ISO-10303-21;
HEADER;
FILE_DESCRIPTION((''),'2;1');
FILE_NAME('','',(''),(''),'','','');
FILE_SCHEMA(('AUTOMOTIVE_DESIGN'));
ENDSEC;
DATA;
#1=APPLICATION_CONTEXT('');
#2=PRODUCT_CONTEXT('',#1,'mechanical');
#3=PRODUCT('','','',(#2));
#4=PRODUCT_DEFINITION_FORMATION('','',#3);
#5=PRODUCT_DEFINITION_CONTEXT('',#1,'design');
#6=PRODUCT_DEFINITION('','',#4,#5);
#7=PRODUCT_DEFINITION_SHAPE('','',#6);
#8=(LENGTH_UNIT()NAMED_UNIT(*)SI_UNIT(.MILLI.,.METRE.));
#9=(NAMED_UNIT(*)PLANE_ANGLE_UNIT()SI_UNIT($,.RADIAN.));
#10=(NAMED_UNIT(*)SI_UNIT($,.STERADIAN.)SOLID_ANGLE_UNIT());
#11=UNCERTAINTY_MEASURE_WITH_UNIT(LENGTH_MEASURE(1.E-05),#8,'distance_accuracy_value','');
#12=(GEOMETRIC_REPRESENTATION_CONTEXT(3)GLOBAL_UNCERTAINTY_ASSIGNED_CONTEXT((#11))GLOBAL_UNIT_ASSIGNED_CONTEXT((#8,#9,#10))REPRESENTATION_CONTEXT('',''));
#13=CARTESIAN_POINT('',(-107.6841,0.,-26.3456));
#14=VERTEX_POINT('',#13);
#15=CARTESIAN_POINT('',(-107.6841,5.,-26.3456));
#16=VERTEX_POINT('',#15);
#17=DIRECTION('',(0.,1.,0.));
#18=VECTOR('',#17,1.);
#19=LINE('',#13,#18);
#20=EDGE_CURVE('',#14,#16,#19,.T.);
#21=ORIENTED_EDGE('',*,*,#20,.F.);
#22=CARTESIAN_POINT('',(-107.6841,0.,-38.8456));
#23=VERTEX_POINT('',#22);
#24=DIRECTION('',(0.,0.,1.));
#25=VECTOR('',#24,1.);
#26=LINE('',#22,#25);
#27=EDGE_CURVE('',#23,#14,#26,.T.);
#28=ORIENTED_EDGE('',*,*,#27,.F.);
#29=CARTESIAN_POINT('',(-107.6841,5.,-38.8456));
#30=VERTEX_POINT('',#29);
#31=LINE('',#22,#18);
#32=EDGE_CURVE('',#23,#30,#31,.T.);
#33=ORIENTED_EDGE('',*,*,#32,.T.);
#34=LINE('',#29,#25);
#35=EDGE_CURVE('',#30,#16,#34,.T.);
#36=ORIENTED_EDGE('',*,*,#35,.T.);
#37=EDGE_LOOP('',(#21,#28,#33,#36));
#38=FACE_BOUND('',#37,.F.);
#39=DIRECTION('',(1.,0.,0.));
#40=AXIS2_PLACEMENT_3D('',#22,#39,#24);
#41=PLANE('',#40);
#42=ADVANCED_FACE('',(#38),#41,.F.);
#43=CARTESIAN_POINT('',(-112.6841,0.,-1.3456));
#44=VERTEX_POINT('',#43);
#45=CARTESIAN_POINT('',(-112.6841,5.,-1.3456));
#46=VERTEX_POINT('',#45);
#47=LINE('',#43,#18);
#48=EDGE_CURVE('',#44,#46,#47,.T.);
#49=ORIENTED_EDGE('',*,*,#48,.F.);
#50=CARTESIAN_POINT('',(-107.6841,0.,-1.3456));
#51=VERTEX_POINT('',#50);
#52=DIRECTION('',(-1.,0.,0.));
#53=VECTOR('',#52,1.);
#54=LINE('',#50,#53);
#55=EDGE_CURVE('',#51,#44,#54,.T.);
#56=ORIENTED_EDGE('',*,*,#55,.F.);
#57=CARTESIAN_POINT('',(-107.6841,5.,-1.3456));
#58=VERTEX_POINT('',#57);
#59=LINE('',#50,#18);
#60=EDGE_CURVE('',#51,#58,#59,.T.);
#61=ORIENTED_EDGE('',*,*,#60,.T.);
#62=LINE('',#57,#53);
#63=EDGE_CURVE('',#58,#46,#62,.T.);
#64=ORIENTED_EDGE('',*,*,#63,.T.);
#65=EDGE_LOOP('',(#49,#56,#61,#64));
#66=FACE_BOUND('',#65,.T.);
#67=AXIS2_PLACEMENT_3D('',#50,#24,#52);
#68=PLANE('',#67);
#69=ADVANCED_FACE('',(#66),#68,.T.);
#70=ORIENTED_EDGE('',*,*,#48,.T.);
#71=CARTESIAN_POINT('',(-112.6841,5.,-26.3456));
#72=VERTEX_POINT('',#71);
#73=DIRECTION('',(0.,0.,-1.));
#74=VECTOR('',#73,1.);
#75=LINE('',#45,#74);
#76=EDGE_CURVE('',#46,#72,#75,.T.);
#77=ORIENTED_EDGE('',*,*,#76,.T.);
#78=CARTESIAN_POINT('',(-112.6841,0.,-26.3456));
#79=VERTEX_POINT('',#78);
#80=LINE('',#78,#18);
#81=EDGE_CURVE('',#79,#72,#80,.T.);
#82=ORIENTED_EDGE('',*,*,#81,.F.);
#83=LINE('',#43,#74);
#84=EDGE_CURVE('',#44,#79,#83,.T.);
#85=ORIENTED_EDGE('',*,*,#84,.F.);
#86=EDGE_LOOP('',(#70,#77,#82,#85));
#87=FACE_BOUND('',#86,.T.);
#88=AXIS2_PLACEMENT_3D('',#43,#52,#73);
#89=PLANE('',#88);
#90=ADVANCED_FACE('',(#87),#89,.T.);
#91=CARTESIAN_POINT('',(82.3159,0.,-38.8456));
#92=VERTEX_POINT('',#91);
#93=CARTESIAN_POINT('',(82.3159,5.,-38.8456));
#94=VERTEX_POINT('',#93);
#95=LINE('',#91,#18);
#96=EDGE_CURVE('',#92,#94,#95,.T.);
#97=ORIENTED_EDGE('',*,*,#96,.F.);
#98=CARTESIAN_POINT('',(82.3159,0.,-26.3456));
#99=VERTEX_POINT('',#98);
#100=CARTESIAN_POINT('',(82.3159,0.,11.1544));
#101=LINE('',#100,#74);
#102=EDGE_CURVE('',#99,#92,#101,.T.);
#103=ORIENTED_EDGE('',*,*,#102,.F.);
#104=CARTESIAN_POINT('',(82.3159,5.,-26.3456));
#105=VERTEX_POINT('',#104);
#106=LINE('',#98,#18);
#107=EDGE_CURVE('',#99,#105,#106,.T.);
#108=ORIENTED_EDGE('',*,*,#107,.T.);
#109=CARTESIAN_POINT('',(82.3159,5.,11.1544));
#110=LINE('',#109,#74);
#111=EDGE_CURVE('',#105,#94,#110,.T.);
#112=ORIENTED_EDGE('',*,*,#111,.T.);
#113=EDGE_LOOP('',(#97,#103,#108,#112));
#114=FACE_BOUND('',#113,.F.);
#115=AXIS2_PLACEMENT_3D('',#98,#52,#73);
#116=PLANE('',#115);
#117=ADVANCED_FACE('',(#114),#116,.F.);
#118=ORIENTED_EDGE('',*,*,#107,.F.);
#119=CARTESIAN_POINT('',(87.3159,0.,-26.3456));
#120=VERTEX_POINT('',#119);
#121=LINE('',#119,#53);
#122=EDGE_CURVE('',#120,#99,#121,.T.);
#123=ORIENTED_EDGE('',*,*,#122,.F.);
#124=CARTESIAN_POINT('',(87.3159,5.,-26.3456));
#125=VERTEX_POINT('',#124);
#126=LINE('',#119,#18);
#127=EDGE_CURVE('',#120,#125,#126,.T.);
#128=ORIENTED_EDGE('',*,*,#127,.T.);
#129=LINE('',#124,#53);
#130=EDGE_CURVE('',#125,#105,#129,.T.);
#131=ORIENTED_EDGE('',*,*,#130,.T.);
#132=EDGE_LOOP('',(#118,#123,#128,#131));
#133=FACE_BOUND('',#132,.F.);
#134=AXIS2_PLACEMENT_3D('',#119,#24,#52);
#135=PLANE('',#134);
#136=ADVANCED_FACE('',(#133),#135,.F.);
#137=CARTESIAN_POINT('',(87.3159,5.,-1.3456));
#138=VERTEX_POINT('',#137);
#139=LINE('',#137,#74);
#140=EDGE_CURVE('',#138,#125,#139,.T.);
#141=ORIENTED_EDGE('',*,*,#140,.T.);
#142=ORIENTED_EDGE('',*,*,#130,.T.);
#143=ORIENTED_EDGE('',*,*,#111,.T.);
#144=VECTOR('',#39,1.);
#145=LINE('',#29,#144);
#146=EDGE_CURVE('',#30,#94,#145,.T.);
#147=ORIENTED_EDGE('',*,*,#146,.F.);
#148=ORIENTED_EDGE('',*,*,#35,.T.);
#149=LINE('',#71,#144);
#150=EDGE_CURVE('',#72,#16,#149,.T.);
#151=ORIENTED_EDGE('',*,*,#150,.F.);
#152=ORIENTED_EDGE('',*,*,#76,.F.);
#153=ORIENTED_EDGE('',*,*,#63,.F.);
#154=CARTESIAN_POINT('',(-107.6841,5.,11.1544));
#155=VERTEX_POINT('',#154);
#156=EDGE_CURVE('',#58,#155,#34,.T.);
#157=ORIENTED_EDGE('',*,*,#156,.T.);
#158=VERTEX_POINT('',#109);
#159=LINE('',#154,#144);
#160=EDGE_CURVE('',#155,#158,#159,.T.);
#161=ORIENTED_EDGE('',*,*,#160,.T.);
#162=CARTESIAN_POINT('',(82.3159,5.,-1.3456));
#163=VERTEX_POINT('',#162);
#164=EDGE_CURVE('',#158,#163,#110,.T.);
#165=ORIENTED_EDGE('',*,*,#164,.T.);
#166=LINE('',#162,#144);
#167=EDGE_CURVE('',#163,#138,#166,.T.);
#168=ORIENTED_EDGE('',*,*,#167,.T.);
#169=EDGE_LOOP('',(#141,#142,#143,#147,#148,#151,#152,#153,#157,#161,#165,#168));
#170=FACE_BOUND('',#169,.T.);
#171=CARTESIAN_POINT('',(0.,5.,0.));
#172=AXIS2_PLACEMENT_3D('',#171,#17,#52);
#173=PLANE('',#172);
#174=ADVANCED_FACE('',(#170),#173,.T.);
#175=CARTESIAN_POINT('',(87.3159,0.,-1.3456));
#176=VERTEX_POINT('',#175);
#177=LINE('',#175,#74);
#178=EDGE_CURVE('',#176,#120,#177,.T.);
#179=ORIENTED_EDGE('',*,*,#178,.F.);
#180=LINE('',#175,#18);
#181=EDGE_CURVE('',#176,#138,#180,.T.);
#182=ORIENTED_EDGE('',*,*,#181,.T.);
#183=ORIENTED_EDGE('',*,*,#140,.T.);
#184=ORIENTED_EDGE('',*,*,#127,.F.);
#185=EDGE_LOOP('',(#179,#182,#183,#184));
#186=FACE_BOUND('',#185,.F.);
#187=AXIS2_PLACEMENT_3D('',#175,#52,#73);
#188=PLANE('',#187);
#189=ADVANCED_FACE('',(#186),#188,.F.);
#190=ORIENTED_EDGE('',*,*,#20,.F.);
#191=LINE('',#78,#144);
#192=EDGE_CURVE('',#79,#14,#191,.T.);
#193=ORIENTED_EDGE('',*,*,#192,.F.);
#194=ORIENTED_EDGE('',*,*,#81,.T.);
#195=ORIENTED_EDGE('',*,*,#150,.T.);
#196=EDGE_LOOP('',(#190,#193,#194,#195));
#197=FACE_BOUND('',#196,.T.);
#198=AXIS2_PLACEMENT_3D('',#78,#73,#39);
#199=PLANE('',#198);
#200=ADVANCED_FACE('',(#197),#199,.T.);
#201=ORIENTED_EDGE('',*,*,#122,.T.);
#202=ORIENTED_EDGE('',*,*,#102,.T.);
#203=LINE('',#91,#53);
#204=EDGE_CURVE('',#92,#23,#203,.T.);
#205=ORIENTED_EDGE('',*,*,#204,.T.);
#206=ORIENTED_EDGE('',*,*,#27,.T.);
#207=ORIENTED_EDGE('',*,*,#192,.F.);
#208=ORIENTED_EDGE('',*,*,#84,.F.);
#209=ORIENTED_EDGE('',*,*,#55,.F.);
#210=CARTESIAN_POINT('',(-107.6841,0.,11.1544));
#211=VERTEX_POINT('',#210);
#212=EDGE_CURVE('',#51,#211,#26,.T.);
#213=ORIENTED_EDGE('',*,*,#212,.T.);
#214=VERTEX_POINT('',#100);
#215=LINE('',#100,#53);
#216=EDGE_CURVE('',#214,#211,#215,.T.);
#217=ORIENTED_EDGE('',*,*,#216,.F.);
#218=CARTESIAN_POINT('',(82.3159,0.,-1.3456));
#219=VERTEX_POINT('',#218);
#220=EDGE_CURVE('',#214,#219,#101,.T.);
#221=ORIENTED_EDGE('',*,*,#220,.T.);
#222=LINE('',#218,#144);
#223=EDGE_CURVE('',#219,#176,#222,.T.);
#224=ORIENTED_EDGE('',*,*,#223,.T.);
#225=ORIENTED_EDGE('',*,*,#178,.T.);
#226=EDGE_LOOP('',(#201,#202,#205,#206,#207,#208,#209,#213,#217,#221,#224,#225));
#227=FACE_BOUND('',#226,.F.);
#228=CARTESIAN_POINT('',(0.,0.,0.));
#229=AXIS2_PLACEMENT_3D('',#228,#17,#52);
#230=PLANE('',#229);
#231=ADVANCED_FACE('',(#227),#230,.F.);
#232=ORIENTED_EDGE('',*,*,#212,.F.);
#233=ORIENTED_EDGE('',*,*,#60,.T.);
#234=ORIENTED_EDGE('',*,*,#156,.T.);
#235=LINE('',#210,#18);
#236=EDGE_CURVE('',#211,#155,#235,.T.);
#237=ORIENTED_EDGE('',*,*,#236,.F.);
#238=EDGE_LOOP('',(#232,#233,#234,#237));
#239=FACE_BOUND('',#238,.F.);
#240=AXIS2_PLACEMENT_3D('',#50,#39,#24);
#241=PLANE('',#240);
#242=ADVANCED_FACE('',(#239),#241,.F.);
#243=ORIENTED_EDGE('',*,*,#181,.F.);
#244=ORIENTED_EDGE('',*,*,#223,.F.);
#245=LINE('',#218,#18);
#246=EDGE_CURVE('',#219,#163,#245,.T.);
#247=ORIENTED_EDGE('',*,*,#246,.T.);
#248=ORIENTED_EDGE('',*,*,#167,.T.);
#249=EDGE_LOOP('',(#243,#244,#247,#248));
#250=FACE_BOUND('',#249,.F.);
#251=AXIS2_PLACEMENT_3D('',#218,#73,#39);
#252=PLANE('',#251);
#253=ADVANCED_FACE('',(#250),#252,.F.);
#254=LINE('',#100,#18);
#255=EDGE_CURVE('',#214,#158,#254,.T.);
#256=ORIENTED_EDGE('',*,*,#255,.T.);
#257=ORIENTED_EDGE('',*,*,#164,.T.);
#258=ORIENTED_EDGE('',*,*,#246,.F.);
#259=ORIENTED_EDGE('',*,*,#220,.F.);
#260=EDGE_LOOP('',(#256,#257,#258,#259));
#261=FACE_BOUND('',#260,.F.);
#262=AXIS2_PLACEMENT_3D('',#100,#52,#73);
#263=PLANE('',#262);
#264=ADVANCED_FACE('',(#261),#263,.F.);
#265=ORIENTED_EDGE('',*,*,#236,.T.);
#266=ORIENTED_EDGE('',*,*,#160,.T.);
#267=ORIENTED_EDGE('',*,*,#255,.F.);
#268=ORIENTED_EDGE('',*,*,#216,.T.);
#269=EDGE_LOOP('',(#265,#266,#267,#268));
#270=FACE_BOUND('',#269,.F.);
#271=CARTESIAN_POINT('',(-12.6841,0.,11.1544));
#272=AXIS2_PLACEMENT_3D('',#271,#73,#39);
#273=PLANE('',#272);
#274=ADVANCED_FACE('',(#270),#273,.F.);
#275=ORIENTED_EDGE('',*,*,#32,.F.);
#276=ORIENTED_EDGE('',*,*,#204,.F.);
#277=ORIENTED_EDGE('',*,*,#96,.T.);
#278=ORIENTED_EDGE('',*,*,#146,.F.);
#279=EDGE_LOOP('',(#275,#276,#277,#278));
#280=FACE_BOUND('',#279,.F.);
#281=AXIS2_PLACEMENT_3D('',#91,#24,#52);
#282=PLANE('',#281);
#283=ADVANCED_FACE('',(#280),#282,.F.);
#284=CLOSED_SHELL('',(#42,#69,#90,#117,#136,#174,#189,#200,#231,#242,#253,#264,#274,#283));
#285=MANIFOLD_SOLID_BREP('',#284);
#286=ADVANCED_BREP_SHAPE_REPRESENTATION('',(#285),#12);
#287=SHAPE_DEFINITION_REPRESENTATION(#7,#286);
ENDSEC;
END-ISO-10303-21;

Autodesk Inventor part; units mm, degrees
ref_plane "YZ Plane" through (0, 0, 0) normal (1, 0, 0) x (0, 1, 0)
ref_plane "XZ Plane" through (0, 0, 0) normal (0, 1, 0) x (-1, 0, 0)
ref_plane "XY Plane" through (0, 0, 0) normal (0, 0, 1) x (1, 0, 0)
sketch "Sketch1" plane through (0, 0, 0) normal (0, 1, 0) x (-1, 0, 0)
  line L0 (-82.3159, -38.8456) -> (107.6841, -38.8456)
  line L1 (107.6841, -38.8456) -> (107.6841, 11.1544)
  line L2 (107.6841, 11.1544) -> (-82.3159, 11.1544)
  line L3 (-82.3159, 11.1544) -> (-82.3159, -38.8456)
  line L4 (107.6841, -1.3456) -> (112.6841, -1.3456)
  line L5 (112.6841, -1.3456) -> (112.6841, -26.3456)
  line L6 (112.6841, -26.3456) -> (107.6841, -26.3456)
  line L7 (107.6841, -26.3456) -> (107.6841, -1.3456)
  line L8 (12.6841, 11.1544) -> (12.6841, -38.8456)
  line L9 (-82.3159, -1.3456) -> (-87.3159, -1.3456)
  line L10 (-87.3159, -1.3456) -> (-87.3159, -26.3456)
  line L11 (-87.3159, -26.3456) -> (-82.3159, -26.3456)
  point P0 (0, 0)
  dimension "d0" = 190
  dimension "d1" = 50
  dimension "d2" = 5
  dimension "d3" = 25
  dimension "d4" = 12.5
extrude "Extrusion1" add sketch "Sketch1" along normal blind 5
properties part number "Top 1"
